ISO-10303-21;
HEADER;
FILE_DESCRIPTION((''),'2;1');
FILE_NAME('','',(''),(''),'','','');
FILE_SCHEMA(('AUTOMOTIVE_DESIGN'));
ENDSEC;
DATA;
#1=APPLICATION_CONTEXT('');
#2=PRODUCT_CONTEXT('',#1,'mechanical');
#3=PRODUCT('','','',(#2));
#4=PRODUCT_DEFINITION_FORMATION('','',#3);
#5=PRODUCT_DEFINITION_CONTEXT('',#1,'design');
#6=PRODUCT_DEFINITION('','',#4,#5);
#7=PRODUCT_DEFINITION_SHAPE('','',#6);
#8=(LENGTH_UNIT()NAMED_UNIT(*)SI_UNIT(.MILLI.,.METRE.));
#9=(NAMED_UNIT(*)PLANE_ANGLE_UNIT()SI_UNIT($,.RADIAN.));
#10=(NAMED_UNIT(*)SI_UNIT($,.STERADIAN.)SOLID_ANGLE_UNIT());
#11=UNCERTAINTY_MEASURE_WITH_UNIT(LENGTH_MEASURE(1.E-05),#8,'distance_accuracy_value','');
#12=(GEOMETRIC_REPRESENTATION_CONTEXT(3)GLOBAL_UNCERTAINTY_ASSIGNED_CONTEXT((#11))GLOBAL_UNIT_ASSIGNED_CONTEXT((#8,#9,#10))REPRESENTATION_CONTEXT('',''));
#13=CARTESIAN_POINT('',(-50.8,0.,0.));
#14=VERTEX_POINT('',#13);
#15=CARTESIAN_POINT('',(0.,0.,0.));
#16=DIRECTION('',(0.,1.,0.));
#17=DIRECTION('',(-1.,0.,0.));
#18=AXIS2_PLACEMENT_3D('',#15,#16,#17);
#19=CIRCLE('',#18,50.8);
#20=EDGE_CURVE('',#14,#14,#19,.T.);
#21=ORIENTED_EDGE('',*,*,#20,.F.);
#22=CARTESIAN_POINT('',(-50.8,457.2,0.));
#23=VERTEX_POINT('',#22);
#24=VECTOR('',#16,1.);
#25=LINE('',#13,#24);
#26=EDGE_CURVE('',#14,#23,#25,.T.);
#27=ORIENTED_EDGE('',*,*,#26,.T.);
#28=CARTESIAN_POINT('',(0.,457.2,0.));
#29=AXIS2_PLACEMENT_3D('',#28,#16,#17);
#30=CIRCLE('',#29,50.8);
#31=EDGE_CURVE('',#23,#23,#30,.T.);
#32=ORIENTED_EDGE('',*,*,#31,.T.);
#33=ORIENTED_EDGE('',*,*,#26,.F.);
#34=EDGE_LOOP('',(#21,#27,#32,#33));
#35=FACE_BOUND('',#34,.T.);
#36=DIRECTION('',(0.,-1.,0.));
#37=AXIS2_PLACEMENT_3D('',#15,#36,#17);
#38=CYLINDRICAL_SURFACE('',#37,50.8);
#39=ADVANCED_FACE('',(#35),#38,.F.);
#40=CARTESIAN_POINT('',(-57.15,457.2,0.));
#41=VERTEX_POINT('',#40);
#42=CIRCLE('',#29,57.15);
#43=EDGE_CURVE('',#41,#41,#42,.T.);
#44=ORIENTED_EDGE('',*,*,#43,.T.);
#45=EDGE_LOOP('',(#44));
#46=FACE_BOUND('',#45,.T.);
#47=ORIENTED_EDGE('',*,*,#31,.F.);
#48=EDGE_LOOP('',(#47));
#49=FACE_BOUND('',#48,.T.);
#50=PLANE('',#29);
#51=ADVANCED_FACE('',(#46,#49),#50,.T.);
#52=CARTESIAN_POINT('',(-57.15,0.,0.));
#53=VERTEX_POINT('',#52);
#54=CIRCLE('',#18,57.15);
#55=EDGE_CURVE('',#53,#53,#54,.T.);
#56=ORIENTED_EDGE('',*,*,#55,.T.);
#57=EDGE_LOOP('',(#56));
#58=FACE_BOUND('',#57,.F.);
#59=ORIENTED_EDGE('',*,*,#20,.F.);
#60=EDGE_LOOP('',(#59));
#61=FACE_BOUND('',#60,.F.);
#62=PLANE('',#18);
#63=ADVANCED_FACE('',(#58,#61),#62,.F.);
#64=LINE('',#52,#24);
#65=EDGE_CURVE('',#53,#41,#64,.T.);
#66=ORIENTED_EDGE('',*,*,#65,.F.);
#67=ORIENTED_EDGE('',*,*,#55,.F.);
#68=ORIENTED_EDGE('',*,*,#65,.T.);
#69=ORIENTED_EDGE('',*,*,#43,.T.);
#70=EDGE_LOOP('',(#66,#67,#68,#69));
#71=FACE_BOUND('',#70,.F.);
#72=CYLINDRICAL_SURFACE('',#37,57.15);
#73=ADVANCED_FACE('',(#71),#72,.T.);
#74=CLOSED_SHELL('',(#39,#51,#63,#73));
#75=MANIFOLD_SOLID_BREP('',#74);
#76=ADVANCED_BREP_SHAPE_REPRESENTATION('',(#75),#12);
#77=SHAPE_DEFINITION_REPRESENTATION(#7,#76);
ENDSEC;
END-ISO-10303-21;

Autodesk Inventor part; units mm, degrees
ref_plane "YZ Plane" through (0, 0, 0) normal (1, 0, 0) x (0, 1, 0)
ref_plane "XZ Plane" through (0, 0, 0) normal (0, 1, 0) x (-1, 0, 0)
ref_plane "XY Plane" through (0, 0, 0) normal (0, 0, 1) x (1, 0, 0)
sketch "Sketch1" plane through (0, 0, 0) normal (0, 1, 0) x (-1, 0, 0)
  circle A0 centre (0, 0) radius 57.15
  circle A1 centre (0, 0) radius 50.8
  dimension "d0" = 114.3
  dimension "d1" = 101.6
extrude "Extrusion1" add sketch "Sketch1" along normal blind 457.2
properties part number "4 inch PVC pipe"
